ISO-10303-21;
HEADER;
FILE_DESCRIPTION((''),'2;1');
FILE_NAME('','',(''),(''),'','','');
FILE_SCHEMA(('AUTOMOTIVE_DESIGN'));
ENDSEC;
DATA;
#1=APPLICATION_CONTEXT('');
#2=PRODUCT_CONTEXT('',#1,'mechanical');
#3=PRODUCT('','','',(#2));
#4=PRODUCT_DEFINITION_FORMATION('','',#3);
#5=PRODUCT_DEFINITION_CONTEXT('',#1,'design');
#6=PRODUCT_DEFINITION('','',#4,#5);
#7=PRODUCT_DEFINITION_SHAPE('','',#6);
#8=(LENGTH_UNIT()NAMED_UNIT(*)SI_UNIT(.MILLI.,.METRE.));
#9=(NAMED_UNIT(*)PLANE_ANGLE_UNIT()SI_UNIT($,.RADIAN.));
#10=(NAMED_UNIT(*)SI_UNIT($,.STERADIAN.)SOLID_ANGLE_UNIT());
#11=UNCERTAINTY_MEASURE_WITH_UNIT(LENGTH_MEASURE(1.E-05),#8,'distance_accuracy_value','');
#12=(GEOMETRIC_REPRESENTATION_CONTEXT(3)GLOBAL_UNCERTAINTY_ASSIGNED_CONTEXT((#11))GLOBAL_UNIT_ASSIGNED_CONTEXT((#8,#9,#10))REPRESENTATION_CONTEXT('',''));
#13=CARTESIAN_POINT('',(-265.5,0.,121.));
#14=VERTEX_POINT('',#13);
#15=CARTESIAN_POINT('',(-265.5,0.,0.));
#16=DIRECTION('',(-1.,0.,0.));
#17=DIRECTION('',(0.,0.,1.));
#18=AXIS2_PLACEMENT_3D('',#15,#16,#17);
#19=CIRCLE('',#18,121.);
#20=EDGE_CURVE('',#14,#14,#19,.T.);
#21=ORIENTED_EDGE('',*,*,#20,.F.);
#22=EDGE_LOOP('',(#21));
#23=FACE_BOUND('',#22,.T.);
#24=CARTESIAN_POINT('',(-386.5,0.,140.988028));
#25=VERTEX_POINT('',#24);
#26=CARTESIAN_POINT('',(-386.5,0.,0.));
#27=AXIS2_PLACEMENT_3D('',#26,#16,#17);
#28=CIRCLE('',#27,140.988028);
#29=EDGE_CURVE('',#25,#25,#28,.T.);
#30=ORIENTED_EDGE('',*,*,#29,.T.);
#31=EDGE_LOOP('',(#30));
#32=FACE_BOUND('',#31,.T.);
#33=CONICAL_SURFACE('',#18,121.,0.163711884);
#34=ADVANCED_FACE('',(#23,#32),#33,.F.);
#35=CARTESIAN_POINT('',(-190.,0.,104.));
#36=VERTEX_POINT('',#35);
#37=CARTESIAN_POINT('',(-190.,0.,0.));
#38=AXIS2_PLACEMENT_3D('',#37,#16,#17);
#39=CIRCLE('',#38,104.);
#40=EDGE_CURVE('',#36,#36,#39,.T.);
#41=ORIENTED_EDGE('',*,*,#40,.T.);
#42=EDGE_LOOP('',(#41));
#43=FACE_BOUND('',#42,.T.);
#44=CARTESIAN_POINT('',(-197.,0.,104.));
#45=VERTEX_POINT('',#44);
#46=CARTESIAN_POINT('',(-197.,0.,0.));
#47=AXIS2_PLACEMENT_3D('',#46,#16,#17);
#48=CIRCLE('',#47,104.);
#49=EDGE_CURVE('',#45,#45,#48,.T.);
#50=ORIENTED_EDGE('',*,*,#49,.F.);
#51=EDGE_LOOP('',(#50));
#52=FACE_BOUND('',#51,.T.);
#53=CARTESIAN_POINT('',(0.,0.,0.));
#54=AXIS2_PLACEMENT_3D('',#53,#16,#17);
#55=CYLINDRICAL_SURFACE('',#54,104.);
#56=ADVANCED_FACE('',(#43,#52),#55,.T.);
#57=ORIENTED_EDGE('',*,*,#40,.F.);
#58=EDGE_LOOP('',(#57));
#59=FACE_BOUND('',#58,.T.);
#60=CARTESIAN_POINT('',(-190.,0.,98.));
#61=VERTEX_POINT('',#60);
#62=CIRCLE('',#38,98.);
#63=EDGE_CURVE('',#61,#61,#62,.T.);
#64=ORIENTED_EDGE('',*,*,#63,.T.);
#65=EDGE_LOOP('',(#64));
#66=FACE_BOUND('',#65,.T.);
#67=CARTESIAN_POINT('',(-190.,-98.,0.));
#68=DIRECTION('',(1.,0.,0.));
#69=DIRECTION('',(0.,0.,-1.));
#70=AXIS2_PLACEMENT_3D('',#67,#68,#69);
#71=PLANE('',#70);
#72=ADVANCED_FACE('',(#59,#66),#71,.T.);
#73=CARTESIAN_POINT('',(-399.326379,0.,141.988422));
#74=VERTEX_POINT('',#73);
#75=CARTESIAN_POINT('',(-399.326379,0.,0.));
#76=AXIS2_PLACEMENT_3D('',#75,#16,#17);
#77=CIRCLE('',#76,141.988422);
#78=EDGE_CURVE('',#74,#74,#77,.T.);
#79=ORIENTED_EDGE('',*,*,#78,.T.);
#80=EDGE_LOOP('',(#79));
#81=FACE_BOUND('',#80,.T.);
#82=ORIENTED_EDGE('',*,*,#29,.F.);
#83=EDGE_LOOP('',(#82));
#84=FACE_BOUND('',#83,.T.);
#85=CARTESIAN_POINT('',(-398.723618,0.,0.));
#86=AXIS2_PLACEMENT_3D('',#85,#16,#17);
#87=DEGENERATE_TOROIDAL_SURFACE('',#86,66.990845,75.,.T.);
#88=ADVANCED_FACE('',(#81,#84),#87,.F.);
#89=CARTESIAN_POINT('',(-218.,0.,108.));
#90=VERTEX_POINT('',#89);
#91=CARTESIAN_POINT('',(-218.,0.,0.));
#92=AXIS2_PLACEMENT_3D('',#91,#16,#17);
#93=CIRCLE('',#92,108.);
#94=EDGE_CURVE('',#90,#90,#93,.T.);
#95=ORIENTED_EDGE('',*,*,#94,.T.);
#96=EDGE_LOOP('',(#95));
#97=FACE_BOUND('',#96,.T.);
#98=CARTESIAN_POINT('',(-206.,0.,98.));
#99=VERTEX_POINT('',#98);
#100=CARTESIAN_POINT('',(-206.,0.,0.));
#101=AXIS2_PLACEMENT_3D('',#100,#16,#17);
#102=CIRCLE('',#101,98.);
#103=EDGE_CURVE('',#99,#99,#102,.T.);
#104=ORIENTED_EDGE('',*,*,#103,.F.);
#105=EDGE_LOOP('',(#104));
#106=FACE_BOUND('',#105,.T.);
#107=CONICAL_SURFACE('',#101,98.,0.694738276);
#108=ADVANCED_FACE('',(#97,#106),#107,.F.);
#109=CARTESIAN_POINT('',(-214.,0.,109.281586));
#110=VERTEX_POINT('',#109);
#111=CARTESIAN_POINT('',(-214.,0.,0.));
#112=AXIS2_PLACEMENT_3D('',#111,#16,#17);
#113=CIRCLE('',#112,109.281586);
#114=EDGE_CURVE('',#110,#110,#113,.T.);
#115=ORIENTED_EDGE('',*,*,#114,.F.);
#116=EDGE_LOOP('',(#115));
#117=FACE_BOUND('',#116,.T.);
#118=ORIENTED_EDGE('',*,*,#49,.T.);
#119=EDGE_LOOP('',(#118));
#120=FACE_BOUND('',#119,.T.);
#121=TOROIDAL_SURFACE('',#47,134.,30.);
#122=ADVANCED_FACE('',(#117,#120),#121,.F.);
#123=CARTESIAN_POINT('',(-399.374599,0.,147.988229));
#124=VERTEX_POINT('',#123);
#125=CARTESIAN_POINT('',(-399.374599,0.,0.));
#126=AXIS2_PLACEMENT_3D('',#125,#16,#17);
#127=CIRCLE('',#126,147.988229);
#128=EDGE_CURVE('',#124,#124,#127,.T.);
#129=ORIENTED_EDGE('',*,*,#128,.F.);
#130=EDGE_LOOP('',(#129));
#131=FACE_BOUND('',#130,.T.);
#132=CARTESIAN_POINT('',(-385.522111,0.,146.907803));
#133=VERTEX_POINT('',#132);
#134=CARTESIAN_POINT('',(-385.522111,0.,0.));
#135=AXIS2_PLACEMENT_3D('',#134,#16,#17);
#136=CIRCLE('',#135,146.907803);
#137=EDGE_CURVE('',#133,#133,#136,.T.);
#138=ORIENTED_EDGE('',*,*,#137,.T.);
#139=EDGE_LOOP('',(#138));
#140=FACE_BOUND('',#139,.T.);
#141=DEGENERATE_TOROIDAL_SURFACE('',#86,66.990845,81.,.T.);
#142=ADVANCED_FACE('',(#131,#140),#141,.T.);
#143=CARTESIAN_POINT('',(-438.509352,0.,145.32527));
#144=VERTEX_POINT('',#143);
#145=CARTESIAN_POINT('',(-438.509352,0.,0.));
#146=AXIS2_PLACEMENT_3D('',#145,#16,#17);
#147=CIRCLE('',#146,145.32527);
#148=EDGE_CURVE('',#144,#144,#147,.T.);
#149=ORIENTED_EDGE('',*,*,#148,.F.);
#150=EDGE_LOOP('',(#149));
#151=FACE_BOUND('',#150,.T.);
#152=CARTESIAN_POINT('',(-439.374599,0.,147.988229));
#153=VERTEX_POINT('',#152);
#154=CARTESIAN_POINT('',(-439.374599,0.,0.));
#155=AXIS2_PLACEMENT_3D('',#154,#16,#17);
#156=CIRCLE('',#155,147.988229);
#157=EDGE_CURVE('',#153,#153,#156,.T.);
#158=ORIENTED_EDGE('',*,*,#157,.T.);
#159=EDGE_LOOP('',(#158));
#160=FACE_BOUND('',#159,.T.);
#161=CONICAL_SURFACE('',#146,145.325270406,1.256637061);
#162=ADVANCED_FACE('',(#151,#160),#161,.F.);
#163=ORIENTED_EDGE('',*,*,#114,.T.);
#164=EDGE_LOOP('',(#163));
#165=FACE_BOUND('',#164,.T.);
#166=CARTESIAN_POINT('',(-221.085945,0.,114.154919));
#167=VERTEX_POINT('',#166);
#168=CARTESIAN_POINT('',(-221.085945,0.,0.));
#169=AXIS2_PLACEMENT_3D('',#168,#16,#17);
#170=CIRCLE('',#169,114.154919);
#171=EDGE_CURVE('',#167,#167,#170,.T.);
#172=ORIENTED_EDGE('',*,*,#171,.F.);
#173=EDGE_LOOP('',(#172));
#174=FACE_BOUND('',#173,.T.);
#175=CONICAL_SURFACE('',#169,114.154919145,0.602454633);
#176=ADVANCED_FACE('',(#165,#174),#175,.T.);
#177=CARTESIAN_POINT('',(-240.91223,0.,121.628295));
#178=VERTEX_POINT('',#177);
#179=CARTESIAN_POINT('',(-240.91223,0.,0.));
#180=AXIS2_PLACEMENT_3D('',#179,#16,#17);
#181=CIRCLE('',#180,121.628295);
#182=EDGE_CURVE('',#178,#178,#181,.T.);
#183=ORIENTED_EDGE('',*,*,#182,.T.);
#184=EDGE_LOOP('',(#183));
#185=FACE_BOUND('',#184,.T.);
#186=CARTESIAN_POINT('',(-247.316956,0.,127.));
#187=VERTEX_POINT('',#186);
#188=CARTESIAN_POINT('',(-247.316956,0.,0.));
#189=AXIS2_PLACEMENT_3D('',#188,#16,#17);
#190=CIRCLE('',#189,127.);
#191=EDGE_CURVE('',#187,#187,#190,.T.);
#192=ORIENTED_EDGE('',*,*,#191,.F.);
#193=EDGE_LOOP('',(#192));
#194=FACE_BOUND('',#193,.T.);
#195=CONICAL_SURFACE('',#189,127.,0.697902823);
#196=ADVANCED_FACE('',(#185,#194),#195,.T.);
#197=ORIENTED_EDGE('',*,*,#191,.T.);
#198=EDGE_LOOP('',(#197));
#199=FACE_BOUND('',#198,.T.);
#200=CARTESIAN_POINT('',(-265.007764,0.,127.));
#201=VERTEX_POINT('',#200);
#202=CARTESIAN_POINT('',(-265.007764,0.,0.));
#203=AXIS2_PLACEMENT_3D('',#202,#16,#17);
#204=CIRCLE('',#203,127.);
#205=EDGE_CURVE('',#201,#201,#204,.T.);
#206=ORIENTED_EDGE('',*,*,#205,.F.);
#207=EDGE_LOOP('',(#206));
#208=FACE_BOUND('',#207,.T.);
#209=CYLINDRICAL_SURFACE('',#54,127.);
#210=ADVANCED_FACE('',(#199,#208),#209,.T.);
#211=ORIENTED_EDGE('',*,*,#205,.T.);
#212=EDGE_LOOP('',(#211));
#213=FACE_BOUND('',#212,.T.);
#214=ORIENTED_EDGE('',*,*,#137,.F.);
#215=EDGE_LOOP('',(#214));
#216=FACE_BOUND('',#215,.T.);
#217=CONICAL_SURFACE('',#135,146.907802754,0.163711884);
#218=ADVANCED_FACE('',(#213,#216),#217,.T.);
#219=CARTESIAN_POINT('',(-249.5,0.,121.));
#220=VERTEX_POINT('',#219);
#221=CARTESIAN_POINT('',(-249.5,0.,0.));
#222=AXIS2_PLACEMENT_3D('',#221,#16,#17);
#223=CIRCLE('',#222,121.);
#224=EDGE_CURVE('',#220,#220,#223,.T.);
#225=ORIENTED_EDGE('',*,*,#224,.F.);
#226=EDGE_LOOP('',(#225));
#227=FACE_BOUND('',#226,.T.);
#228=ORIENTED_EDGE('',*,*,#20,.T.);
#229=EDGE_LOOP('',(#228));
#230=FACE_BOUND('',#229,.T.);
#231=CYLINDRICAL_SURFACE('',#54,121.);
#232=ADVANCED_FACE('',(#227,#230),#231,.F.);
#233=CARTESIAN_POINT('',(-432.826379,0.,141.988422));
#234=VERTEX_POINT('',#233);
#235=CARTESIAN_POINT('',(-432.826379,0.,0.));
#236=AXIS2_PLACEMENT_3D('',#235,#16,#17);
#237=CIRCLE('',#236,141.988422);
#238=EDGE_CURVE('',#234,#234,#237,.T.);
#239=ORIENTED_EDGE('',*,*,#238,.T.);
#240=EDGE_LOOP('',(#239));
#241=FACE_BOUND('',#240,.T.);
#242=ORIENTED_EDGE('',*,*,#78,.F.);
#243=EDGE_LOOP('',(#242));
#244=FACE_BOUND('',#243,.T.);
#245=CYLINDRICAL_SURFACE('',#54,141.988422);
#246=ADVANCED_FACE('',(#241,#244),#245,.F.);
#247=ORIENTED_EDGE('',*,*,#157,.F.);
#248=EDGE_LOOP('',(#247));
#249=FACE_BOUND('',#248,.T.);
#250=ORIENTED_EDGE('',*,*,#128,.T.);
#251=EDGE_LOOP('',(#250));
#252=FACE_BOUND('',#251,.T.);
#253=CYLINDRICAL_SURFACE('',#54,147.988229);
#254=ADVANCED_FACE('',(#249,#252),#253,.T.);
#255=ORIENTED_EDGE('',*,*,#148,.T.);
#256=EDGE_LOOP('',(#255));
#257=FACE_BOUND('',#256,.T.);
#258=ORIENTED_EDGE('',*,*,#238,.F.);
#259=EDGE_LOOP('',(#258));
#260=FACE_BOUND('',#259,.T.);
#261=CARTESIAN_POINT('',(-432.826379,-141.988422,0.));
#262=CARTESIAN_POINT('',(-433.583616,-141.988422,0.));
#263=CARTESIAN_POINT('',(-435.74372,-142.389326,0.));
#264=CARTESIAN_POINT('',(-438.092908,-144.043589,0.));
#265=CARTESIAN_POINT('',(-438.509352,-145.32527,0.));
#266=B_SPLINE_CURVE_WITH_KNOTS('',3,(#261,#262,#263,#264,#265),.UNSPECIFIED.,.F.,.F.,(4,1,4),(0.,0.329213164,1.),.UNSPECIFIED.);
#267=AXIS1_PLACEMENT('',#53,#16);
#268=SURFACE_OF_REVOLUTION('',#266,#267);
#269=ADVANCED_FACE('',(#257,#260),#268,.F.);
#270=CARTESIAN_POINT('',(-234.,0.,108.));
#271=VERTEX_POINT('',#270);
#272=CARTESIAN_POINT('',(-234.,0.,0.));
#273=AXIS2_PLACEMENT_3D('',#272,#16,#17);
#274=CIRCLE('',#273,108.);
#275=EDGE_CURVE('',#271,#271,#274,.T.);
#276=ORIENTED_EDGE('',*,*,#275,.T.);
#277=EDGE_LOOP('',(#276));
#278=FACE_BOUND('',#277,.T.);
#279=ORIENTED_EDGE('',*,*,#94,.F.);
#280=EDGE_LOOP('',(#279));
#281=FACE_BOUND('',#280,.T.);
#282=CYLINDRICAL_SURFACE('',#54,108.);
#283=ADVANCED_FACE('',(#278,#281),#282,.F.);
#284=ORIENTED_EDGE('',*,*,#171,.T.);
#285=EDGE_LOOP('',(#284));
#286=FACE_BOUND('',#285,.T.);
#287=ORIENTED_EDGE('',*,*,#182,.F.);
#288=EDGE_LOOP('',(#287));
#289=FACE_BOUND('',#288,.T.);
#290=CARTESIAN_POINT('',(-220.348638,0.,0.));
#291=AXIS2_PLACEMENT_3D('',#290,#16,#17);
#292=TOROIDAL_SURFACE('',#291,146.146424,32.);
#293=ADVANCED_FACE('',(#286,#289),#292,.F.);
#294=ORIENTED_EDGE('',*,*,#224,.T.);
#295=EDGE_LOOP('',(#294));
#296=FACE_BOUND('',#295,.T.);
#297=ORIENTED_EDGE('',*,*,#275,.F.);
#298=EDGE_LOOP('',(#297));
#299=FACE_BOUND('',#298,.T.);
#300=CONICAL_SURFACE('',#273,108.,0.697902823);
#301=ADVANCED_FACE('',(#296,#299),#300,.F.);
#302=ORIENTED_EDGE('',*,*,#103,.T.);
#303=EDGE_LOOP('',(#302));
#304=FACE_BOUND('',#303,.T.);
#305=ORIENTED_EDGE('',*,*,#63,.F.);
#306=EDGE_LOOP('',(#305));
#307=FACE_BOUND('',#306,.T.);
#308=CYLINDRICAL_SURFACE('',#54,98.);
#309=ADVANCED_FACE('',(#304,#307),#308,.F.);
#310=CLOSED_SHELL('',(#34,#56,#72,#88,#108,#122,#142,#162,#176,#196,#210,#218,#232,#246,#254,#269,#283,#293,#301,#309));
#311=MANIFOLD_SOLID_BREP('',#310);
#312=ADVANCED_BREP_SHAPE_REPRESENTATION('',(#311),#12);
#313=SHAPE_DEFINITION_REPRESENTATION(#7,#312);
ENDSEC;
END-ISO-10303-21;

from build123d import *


with BuildPart() as part:
    # Sketch3 → Revolve3 (revolve)
    with BuildSketch(Plane.XY, mode=Mode.PRIVATE) as revolve3_sk:
        with BuildLine():
            Line((-206, -98), (-190, -98))
            Line((-190, -98), (-190, -104))
            Line((-190, -104), (-197, -104))
            ThreePointArc((-197, -104), (-205.900774526, -105.350807815), (-214, -109.281585811))
            Line((-214, -109.281585811), (-221.085945401, -114.154919145))
            ThreePointArc((-221.085945401, -114.154919145), (-231.635573734, -116.203059338), (-240.912230418, -121.628294541))
            Line((-240.912230418, -121.628294541), (-247.316956158, -127))
            Line((-247.316956158, -127), (-265.007764466, -127))
            Line((-265.007764466, -127), (-385.522110558, -146.907802754))
            ThreePointArc((-385.522110558, -146.907802754), (-392.425145491, -147.745592099), (-399.374599409, -147.988228651))
            Line((-399.374599409, -147.988228651), (-439.374599409, -147.988228651))
            Line((-439.374599409, -147.988228651), (-438.509351825, -145.325270406))
            add(Edge.make_bspline(
                [(-438.509351825, -145.325270406), (-438.092908159, -144.043588589), (-435.74371961, -142.389326154), (-433.583616452, -141.988422425), (-432.826378566, -141.988422425)],
                knots=[0, 0, 0, 0, 0.670786836, 1, 1, 1, 1], degree=3))
            Line((-432.826378566, -141.988422425), (-399.326378566, -141.988422425))
            ThreePointArc((-399.326378566, -141.988422425), (-392.891699012, -141.763758951), (-386.5, -140.988028076))
            Line((-386.5, -140.988028076), (-265.5, -121))
            Line((-265.5, -121), (-249.5, -121))
            Line((-249.5, -121), (-234, -108))
            Line((-234, -108), (-218, -108))
            Line((-218, -108), (-206, -98))
        make_face()
    revolve(revolve3_sk.sketch.rotate(Axis((0, 0, 0), (1, 0, 0)), 270), axis=Axis((0, 0, 0), (1, 0, 0)))


solid = part.part
